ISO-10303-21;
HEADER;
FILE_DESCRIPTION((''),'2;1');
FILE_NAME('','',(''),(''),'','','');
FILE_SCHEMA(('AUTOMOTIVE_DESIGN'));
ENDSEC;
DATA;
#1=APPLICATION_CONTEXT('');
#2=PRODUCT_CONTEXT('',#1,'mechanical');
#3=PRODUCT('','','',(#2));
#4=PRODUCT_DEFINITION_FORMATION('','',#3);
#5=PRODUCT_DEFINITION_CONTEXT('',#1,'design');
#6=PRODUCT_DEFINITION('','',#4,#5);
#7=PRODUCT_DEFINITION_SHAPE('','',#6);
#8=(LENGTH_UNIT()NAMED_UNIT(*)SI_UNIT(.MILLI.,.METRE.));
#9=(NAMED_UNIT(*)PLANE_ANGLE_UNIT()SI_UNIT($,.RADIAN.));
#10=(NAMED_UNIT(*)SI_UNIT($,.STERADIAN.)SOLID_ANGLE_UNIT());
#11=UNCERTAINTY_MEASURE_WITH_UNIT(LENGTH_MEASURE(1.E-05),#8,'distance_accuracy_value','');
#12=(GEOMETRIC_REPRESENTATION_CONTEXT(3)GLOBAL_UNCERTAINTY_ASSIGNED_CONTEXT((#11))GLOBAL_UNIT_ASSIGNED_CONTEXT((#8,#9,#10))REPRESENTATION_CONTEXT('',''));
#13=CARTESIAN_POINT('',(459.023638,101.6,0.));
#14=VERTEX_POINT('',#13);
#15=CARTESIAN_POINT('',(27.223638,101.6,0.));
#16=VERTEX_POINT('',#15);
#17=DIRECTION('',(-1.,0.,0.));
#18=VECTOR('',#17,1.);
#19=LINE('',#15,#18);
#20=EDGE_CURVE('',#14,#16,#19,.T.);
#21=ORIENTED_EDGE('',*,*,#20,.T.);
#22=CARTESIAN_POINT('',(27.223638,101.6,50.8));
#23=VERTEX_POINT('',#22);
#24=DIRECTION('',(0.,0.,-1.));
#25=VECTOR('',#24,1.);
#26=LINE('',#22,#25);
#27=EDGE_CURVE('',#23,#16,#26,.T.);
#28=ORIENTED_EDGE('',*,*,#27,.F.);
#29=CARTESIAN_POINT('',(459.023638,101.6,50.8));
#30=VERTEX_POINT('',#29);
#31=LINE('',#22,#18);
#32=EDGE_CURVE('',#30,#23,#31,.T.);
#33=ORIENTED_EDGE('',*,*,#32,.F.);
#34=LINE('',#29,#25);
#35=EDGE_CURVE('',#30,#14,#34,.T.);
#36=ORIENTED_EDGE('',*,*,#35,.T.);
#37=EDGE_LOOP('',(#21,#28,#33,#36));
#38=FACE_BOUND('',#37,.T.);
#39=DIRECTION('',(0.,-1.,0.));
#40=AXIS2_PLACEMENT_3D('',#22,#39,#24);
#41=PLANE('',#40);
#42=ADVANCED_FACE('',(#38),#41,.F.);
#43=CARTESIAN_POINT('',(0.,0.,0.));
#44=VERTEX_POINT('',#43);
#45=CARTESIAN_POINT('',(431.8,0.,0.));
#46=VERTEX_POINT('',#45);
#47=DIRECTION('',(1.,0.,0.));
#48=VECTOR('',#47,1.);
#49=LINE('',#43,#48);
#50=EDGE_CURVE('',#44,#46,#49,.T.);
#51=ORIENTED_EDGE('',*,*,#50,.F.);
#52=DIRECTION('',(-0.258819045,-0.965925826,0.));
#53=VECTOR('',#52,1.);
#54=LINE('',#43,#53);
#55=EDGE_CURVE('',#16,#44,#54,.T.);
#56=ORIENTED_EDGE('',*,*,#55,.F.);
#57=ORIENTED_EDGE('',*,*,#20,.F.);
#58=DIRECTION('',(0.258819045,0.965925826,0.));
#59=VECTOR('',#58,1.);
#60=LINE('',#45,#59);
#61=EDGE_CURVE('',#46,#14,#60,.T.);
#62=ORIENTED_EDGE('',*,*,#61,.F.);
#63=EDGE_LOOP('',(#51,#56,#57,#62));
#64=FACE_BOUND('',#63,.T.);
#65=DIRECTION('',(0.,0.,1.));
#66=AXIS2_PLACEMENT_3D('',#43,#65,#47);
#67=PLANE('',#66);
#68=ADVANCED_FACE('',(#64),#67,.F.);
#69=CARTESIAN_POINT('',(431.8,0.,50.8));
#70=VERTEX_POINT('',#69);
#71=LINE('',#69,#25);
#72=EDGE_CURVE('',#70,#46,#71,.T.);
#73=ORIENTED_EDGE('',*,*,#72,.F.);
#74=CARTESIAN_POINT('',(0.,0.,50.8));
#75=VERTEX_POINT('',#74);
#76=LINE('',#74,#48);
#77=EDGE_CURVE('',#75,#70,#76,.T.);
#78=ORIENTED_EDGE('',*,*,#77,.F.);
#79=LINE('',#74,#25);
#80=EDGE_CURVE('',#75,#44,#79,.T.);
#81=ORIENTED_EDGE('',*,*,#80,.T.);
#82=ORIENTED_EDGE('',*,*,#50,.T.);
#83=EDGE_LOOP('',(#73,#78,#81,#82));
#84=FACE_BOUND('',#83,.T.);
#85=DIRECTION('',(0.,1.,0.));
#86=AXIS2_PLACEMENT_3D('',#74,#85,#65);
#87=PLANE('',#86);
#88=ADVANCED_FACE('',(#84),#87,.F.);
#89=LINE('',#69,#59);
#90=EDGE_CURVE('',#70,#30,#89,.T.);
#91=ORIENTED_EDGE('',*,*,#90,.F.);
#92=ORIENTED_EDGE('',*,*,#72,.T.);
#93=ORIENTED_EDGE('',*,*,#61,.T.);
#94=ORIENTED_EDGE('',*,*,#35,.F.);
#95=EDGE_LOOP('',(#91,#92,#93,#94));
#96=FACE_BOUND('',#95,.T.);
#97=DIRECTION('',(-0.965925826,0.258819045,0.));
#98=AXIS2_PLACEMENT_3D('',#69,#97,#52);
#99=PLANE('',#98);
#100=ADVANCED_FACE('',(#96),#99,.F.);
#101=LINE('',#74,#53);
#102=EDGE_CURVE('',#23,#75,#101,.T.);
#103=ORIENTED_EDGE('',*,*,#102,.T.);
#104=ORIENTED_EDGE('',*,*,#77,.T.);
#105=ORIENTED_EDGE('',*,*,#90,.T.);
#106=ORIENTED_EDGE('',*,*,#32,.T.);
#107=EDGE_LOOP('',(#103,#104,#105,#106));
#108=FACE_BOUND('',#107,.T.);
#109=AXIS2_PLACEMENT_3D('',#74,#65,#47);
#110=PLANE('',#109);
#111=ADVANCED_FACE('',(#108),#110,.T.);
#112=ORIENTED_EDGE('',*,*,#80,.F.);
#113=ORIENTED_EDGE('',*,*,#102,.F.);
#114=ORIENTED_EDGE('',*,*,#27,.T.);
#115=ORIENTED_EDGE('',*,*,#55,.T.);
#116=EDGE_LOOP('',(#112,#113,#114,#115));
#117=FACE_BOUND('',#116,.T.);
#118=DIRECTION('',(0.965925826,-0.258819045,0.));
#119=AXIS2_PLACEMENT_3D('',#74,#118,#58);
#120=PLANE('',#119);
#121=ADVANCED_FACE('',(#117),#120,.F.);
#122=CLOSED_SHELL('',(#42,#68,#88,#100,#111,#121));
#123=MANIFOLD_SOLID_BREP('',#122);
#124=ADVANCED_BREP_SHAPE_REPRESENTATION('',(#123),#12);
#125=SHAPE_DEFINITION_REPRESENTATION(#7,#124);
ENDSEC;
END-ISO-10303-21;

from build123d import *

# Parameters (mm, degrees)
BOSS_EXTRUDE1_DEPTH = 50.8


with BuildPart() as part:
    # Sketch1 → Boss-Extrude1 (new body)
    with BuildSketch(Plane.XY):
        Polygon((0, 0), (27.223637951, 101.6), (459.023637951, 101.6), (431.8, 0), align=None)
    extrude(amount=BOSS_EXTRUDE1_DEPTH)


solid = part.part
